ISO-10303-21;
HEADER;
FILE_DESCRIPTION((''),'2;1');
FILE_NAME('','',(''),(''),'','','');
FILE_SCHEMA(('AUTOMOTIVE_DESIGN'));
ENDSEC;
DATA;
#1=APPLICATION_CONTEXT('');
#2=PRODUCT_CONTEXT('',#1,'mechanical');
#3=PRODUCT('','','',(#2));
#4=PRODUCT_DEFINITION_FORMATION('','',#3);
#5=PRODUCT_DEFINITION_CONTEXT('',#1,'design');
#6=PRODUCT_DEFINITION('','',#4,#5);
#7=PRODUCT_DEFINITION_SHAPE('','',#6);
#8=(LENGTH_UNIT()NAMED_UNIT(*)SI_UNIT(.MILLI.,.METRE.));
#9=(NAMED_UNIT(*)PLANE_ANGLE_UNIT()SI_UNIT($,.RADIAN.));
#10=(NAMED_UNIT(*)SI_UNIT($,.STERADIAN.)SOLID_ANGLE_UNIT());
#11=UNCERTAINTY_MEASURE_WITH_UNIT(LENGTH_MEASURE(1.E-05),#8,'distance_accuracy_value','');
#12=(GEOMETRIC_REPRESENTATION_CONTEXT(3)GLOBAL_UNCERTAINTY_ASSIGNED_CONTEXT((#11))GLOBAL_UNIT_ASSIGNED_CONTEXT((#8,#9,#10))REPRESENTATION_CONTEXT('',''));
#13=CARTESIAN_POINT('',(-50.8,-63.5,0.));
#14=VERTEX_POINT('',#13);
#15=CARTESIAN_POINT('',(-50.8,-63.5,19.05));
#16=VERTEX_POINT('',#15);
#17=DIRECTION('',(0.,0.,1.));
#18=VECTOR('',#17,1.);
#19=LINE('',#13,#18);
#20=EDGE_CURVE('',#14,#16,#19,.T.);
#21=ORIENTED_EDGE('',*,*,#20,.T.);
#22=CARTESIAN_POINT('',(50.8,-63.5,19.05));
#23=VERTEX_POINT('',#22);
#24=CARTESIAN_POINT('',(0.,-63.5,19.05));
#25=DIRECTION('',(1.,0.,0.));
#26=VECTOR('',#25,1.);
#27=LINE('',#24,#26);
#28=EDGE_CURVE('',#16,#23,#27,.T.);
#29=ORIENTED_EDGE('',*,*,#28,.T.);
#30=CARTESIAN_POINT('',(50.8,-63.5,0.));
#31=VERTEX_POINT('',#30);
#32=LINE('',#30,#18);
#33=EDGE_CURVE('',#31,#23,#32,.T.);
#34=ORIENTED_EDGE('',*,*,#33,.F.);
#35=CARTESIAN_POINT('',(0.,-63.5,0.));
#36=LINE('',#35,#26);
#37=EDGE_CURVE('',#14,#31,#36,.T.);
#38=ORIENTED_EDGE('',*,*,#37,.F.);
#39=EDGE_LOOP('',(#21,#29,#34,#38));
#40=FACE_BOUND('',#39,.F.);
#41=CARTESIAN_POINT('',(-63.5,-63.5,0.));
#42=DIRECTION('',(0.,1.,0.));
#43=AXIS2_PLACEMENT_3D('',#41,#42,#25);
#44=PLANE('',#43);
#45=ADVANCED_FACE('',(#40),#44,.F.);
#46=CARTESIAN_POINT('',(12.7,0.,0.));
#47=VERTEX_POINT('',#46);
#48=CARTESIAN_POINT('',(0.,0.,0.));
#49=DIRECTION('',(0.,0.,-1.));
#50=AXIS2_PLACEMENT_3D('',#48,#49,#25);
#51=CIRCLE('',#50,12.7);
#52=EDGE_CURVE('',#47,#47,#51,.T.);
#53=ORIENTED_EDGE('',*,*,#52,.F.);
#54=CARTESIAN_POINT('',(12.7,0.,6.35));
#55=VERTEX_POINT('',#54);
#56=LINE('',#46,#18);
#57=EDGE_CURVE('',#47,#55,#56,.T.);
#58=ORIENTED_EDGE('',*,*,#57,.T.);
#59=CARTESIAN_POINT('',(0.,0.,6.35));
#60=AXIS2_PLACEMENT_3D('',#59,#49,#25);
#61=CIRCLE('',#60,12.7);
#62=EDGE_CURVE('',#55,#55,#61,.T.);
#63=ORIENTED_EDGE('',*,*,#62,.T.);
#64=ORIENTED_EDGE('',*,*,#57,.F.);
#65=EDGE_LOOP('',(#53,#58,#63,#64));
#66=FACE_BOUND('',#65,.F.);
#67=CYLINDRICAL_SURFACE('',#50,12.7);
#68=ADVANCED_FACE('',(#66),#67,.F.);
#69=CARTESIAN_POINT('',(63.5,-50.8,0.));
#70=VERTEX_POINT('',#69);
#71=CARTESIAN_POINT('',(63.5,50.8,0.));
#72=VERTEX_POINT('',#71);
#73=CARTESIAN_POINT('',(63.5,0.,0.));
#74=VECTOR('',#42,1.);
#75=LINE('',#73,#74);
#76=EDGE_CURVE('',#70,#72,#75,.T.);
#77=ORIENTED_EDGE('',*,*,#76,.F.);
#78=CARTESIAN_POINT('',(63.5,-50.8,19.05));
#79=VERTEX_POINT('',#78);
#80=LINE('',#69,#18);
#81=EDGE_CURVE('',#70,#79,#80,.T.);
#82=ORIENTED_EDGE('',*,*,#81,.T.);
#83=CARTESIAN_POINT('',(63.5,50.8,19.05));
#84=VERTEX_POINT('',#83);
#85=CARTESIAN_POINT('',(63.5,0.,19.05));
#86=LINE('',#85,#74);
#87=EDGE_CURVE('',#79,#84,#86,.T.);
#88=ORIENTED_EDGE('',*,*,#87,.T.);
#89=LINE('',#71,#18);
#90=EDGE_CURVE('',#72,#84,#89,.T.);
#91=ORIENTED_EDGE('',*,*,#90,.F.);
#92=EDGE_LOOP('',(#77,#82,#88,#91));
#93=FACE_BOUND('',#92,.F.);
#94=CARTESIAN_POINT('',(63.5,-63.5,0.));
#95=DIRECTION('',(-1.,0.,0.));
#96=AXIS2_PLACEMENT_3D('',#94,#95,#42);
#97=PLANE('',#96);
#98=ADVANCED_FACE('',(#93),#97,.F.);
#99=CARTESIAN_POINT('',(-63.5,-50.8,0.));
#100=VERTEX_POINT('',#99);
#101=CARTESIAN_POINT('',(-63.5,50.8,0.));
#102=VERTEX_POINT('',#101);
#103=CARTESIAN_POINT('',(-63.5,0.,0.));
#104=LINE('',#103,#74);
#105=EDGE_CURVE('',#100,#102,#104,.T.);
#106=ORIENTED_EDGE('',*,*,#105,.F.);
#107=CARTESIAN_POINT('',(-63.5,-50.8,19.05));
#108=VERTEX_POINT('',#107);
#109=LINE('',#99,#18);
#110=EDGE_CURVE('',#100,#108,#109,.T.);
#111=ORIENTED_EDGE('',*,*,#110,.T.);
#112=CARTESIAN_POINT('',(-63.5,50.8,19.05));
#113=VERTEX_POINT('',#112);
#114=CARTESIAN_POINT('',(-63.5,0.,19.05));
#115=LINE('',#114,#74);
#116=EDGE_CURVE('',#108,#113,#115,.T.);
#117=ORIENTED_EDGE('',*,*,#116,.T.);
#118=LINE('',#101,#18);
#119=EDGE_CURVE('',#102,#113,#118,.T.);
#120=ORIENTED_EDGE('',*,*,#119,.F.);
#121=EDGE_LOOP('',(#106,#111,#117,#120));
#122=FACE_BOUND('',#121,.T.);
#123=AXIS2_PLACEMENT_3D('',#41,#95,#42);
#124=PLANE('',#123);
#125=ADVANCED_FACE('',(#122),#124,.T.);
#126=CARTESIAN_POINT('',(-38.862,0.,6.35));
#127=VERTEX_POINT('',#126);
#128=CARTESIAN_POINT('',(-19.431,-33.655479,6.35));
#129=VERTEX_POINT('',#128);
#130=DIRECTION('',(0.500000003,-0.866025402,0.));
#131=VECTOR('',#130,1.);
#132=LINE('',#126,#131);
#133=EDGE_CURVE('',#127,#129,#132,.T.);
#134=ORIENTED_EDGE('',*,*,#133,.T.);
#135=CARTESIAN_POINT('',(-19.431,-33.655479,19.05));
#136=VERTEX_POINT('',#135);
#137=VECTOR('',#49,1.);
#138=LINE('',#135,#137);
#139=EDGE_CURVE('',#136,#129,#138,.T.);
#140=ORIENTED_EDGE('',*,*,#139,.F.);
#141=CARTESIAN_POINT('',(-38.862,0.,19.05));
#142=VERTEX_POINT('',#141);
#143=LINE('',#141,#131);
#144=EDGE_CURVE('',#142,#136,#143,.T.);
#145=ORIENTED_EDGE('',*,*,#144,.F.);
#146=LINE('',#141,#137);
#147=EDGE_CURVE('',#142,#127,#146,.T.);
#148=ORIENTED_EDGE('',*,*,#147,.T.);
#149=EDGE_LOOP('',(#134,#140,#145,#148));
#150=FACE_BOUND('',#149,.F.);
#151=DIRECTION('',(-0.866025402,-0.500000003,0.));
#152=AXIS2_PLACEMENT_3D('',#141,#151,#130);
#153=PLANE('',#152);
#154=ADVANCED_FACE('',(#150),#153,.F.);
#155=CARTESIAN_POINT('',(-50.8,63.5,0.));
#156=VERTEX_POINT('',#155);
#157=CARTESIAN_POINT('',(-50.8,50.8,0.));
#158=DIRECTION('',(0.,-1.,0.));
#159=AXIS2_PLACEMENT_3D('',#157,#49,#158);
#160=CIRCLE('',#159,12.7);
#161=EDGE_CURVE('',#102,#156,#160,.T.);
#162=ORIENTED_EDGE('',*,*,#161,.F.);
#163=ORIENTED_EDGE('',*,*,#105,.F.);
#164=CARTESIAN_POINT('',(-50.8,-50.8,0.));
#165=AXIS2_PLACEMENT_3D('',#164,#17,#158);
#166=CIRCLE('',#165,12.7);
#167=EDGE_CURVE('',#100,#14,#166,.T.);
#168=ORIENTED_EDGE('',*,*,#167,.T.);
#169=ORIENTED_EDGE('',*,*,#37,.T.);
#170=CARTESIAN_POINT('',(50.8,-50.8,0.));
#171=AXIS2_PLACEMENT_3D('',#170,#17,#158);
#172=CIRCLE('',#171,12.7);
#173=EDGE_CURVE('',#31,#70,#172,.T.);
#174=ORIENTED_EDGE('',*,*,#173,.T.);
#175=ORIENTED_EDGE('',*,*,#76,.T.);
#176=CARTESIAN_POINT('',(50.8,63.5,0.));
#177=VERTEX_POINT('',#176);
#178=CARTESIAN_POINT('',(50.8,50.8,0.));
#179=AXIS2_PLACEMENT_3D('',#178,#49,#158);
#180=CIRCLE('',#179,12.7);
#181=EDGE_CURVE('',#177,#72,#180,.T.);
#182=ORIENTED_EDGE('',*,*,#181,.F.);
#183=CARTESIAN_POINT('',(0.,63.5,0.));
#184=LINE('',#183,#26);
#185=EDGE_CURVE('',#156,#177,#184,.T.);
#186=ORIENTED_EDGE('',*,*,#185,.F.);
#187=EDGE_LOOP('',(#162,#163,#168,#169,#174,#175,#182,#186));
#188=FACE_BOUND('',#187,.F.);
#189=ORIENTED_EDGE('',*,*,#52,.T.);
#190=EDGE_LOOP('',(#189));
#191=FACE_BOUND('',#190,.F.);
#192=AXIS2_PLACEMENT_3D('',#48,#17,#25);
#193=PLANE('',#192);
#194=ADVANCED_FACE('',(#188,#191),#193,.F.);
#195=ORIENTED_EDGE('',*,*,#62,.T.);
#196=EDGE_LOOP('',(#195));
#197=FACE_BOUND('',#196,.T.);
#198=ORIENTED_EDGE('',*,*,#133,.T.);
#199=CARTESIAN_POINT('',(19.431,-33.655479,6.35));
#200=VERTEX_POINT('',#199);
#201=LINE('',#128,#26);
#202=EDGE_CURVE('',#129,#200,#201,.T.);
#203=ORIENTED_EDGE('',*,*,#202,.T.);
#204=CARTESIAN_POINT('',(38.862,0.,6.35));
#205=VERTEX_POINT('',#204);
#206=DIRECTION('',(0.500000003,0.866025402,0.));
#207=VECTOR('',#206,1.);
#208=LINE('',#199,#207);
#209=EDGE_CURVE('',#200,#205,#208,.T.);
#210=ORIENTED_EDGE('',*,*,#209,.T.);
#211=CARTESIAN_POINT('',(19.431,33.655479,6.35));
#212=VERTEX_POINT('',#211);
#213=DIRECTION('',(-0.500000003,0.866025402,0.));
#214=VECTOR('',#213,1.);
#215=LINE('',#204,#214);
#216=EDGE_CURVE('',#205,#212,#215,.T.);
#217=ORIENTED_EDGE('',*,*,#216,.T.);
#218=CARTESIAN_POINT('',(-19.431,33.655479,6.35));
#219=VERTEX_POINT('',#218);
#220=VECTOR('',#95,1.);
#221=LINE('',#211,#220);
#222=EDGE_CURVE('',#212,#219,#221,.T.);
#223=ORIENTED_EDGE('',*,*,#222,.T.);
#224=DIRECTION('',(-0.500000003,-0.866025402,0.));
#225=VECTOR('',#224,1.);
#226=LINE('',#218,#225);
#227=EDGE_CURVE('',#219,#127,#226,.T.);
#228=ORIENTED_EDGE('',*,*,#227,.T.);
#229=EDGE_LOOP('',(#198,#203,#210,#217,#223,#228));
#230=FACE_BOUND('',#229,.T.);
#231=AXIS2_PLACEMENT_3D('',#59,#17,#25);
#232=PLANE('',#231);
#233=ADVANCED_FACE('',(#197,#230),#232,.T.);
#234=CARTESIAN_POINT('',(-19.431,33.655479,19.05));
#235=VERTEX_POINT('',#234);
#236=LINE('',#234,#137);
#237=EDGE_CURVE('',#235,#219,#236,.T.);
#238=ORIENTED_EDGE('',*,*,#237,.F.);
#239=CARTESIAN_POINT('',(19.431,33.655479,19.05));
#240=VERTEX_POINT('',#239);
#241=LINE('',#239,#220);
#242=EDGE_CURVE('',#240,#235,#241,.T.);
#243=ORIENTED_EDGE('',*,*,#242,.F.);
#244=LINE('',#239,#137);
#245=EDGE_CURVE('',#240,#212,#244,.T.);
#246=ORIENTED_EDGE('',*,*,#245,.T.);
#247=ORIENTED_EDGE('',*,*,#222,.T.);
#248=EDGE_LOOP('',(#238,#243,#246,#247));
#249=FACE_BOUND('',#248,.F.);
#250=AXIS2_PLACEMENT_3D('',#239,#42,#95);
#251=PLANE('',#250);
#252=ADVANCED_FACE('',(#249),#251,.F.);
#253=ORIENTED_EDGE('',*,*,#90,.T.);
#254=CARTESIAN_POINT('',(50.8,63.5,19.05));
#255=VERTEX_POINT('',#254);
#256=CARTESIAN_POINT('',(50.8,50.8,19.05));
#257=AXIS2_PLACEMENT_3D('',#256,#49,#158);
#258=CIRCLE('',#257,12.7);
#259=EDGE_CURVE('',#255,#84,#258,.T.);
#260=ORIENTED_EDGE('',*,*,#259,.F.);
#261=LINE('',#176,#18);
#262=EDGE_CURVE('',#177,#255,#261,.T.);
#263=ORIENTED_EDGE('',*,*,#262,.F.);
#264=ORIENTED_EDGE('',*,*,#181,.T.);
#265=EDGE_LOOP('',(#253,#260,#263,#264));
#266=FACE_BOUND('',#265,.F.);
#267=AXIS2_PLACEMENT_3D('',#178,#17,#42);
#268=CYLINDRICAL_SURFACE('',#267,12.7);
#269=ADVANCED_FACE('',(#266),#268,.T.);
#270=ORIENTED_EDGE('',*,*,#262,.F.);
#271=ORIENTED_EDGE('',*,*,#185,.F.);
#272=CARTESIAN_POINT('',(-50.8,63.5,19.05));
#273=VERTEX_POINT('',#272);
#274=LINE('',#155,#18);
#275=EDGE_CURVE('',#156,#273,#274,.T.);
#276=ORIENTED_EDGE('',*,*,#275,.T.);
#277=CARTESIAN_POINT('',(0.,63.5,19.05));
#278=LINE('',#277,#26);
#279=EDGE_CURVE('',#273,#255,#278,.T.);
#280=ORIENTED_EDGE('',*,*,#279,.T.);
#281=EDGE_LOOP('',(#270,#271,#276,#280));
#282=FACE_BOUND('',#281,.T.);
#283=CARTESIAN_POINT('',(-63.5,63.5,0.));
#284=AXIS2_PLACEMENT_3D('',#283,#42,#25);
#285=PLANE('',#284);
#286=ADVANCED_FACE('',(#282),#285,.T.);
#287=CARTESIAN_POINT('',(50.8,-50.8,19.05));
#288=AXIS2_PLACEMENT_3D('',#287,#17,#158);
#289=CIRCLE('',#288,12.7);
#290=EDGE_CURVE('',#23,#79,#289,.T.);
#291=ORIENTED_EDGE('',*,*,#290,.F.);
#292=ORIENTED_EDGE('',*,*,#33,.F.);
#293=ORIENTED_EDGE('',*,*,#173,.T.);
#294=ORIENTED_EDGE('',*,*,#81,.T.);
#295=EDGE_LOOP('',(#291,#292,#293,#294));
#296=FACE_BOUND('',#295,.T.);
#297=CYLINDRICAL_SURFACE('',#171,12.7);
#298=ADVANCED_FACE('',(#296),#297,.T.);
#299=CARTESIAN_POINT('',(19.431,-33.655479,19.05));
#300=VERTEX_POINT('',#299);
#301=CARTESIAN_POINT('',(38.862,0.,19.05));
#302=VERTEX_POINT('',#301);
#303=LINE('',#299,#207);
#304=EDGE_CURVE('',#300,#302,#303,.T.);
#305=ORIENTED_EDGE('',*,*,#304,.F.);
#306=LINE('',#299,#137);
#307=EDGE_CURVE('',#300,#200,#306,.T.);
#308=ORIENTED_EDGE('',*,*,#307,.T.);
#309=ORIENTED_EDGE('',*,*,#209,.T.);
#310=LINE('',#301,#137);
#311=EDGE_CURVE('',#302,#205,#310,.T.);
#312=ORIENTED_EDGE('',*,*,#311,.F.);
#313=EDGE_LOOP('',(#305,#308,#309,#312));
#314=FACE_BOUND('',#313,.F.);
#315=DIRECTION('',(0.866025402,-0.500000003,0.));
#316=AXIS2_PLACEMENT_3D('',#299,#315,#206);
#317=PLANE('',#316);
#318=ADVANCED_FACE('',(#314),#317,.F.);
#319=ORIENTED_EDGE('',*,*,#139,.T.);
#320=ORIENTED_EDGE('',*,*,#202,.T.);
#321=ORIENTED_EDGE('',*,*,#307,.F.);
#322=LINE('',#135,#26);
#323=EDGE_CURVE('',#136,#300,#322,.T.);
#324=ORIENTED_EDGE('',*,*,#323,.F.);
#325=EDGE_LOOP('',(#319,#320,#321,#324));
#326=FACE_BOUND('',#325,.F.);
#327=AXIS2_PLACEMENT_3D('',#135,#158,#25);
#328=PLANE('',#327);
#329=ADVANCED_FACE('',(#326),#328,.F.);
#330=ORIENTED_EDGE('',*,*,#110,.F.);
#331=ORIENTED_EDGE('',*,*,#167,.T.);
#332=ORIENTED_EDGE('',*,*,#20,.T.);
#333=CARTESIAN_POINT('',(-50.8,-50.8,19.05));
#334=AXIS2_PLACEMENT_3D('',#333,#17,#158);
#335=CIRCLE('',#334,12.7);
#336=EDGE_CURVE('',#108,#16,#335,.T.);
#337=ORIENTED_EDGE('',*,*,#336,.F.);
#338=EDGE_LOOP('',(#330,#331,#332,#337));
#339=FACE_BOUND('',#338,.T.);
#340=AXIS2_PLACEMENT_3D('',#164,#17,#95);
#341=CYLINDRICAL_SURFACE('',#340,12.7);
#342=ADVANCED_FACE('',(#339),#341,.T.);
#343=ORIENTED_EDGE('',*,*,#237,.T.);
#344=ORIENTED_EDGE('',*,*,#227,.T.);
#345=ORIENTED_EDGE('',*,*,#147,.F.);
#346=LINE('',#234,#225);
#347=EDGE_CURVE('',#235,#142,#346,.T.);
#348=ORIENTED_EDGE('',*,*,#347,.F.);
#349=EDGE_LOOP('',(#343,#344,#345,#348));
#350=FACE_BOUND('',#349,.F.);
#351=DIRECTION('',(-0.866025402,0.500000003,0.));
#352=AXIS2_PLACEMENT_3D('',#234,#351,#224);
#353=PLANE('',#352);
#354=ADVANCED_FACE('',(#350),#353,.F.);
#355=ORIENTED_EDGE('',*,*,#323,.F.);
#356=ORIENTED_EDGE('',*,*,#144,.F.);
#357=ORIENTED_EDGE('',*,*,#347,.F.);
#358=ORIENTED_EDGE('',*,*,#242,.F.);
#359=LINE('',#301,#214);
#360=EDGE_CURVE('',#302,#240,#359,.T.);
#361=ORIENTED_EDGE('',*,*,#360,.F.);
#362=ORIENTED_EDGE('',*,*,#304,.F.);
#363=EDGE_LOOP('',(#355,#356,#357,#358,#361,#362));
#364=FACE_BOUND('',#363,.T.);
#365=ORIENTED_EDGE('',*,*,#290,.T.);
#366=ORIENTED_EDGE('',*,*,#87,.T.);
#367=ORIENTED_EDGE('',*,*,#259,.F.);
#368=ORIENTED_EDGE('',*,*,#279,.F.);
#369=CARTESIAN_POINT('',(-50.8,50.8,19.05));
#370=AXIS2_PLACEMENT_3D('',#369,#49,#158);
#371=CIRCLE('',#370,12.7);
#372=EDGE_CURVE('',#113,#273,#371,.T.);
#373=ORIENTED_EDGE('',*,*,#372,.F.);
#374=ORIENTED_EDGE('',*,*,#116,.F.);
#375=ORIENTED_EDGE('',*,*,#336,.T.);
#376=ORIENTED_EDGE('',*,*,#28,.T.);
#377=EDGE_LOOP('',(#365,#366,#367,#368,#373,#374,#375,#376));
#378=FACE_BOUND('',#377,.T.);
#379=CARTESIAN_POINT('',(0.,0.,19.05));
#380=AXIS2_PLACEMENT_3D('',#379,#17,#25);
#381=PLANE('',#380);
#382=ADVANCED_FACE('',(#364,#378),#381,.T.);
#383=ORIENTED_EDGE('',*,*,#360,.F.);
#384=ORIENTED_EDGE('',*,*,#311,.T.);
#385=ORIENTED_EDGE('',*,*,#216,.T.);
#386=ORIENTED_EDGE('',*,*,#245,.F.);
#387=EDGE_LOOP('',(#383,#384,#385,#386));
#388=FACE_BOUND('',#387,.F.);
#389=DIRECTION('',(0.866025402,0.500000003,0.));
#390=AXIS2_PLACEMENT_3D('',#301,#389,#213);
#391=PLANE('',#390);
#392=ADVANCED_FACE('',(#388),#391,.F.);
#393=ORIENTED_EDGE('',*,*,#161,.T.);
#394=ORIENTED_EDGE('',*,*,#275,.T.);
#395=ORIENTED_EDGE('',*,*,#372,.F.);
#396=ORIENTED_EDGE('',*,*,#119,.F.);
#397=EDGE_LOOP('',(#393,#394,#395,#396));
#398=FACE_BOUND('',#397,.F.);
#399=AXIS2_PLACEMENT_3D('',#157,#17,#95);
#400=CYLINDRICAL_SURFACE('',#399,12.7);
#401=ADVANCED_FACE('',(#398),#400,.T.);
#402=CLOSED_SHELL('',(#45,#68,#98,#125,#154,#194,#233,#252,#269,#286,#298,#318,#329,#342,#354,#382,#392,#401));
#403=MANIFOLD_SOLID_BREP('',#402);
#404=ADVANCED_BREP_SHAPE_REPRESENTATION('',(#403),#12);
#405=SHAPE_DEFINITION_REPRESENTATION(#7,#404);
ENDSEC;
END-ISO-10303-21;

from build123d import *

# Parameters (mm, degrees)
F0_W     = 127
F0_H     = 127
F1_DEPTH = 19.05
F3_DEPTH = 12.7
F4_R     = 12.7
F5_R     = 12.7
F6_DEPTH = 25.4


with BuildPart() as f1:
    # F0 (on Top) → F1 (new body)
    with BuildSketch(Plane.XY):
        Rectangle(F0_W, F0_H)
    extrude(amount=F1_DEPTH)

    # F2 (on face) → F3 (cut)
    with BuildSketch(Plane.XY.offset(19.05)):
        Polygon((19.431, -33.655479), (38.862, 0), (19.431, 33.655479), (-19.431, 33.655479), (-38.862, 0), (-19.431, -33.655479), align=None)
    extrude(amount=-F3_DEPTH, mode=Mode.SUBTRACT)

    # F4
    f4_edges = [f1.edges().sort_by_distance(p)[0] for p in [
        (-63.5, -63.5, 9.525),
        (63.5, -63.5, 9.525),
        (63.5, 63.5, 9.525),
        (-63.5, 63.5, 9.525),
    ]]
    fillet(f4_edges, radius=F4_R)

    # F5 (on face) → F6 (cut)
    with BuildSketch(Plane(origin=(0, 0, 0), x_dir=(1, 0, 0), z_dir=(0, 0, -1))):
        Circle(F5_R)
    extrude(amount=-F6_DEPTH, mode=Mode.SUBTRACT)


solid = f1.part
